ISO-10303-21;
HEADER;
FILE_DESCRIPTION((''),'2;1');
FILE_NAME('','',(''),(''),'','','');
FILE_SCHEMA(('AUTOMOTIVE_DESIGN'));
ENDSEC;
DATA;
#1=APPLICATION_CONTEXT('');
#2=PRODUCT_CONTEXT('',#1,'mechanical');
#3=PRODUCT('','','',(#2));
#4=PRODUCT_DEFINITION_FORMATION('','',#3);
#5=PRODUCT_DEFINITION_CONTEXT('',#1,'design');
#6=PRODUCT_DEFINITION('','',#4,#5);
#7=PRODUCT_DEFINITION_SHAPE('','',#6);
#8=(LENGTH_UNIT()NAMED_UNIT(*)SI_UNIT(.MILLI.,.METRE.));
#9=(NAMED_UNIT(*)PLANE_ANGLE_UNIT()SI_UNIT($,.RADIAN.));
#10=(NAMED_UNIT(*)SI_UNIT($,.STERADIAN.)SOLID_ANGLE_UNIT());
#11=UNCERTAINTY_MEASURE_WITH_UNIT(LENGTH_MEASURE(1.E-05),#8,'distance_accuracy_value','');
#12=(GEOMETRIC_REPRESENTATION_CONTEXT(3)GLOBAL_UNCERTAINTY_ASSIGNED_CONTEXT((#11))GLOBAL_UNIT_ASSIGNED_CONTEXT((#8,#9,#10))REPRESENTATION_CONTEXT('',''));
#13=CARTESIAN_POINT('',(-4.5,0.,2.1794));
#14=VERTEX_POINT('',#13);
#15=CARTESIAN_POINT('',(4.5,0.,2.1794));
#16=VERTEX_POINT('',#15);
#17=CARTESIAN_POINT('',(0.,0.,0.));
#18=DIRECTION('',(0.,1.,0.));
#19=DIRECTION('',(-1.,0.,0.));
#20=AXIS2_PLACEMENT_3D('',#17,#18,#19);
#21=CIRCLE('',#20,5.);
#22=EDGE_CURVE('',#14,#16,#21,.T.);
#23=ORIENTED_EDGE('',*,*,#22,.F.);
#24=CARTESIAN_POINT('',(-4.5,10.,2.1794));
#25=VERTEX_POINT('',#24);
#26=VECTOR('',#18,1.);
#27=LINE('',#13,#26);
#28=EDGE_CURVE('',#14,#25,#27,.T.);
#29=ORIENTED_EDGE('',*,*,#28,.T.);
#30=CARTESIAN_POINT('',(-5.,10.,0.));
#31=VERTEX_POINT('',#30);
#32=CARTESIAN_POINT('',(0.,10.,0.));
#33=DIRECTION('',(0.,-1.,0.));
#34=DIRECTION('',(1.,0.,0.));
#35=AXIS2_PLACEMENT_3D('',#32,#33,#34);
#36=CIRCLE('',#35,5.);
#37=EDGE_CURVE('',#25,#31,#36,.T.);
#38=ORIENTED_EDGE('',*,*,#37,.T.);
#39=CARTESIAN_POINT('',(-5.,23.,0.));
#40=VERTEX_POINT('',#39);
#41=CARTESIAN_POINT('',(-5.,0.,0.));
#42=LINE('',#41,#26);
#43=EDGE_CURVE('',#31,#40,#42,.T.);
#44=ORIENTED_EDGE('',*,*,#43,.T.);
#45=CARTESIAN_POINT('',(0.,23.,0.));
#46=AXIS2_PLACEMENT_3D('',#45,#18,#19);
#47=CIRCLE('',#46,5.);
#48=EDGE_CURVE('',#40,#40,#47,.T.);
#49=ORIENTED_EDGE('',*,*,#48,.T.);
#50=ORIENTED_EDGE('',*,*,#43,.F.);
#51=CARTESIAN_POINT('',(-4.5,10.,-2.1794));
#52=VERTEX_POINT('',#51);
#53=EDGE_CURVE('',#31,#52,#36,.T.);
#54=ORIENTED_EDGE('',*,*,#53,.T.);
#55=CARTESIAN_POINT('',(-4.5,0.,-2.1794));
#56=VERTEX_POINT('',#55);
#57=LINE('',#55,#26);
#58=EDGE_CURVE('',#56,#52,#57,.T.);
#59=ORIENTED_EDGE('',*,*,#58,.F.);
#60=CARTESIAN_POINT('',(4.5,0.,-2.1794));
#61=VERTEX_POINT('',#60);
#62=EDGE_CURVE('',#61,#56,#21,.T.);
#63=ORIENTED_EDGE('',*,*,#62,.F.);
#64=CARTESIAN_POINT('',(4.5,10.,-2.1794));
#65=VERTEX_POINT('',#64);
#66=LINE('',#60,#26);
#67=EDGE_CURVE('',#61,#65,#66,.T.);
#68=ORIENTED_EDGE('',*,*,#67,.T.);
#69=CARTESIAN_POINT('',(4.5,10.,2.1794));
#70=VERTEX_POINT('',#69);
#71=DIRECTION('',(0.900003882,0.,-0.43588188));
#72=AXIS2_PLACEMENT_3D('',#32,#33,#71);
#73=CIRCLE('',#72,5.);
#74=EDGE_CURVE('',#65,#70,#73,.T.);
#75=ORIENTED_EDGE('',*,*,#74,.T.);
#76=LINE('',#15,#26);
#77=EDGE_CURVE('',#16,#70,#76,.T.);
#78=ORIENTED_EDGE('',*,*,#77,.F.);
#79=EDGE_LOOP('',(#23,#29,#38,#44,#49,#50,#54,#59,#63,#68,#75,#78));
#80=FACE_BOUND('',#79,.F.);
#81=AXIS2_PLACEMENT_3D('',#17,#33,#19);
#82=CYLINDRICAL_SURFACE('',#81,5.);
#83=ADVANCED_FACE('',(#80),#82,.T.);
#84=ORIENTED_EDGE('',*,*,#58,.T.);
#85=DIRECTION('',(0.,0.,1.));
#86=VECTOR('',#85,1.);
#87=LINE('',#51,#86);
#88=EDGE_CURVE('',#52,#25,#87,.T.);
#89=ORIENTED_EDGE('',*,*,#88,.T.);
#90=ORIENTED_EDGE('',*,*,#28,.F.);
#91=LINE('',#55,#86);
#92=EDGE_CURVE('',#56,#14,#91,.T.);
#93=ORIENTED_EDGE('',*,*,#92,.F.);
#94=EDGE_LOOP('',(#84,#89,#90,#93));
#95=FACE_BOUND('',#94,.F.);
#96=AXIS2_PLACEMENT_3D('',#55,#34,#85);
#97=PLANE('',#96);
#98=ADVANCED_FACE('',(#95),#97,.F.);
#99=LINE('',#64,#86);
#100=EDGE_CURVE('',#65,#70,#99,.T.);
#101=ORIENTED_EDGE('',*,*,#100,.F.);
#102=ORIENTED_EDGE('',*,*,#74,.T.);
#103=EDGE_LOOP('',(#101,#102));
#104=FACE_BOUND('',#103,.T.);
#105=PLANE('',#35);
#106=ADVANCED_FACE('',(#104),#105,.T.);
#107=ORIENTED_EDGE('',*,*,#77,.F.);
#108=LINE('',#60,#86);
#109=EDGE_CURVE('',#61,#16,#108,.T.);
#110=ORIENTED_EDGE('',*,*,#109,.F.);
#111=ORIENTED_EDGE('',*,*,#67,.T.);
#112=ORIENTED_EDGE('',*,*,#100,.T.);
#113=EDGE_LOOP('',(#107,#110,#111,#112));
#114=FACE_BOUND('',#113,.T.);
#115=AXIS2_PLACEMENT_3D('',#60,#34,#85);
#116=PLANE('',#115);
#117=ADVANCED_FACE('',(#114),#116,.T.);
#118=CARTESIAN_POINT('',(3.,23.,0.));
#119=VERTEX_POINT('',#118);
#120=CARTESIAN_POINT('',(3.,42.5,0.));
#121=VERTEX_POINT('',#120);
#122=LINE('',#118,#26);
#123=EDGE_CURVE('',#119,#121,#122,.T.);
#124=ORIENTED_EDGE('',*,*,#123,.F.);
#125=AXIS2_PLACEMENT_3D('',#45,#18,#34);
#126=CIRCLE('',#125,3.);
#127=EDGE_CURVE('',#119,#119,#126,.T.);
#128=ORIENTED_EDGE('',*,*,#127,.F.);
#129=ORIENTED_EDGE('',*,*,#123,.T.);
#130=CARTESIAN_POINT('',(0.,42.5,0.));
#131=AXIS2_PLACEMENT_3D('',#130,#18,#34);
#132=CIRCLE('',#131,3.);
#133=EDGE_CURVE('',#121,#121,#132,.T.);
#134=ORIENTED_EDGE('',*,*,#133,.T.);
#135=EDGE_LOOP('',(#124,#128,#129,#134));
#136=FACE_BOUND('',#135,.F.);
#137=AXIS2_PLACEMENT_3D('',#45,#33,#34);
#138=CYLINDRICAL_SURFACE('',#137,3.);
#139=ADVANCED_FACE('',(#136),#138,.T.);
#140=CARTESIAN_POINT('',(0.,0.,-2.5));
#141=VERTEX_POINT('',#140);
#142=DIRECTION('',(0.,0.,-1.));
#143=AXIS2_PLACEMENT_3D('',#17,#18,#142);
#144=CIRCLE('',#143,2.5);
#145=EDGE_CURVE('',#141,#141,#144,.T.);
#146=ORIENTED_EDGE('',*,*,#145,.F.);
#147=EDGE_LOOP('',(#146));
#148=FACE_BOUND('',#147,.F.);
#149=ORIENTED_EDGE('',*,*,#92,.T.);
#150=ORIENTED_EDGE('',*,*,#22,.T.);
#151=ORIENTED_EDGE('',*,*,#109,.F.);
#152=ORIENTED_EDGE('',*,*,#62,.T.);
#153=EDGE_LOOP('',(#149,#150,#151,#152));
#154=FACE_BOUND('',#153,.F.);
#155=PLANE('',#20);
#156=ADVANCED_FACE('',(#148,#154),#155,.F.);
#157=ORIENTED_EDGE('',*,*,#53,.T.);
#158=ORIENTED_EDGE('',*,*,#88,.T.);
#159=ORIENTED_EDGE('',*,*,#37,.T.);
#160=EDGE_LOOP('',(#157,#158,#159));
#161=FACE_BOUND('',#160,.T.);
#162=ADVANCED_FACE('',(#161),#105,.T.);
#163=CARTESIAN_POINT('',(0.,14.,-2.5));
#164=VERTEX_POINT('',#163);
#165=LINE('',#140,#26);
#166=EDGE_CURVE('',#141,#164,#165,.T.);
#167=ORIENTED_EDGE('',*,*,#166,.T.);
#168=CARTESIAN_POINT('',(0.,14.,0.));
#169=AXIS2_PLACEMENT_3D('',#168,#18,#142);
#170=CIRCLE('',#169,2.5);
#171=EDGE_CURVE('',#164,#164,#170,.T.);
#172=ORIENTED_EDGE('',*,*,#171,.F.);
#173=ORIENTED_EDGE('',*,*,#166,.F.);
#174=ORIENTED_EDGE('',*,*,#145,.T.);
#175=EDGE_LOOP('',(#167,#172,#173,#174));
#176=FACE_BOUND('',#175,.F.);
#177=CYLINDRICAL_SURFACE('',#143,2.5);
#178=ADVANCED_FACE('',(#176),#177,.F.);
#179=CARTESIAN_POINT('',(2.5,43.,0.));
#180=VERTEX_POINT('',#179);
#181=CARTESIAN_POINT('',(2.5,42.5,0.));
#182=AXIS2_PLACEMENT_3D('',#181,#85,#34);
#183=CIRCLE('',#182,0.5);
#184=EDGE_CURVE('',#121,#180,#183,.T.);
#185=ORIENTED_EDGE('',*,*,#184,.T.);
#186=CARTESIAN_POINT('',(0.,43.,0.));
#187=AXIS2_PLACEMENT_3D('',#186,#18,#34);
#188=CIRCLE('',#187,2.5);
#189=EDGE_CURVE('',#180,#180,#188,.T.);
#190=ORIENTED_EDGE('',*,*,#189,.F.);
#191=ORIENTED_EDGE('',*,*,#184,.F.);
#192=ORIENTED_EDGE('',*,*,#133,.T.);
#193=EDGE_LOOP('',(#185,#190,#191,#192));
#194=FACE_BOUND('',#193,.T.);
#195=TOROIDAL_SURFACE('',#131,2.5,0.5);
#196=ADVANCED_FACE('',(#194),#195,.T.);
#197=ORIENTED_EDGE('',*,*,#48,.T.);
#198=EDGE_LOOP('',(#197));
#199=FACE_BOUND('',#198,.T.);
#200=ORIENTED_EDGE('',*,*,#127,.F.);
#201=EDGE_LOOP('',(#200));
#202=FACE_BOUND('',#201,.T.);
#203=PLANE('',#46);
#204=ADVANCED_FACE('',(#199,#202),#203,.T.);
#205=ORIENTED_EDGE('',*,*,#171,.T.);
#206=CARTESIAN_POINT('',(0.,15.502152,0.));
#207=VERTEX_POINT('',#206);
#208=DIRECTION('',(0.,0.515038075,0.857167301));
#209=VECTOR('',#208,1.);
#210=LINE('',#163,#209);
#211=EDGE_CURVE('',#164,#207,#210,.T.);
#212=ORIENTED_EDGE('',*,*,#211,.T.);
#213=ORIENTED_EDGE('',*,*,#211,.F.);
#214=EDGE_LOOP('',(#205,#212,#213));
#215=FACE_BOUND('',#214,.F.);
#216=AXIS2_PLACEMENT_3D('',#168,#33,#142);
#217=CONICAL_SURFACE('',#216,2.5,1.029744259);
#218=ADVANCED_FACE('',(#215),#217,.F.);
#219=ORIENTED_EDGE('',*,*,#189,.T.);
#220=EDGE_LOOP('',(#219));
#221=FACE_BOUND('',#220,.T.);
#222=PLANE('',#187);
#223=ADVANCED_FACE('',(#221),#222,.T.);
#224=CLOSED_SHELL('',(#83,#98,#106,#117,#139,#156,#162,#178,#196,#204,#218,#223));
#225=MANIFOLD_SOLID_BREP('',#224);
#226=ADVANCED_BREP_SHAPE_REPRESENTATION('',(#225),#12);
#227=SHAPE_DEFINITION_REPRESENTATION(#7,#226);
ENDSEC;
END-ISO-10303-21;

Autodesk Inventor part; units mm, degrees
ref_plane "YZ Plane" through (0, 0, 0) normal (1, 0, 0) x (0, 1, 0)
ref_plane "XZ Plane" through (0, 0, 0) normal (0, 1, 0) x (-1, 0, 0)
ref_plane "XY Plane" through (0, 0, 0) normal (0, 0, 1) x (1, 0, 0)
sketch "Sketch1" plane through (0, 0, 0) normal (0, 1, 0) x (-1, 0, 0)
  circle A0 centre (0, 0) radius 5
  dimension "d0" = 10
extrude "Extrusion1" add sketch "Sketch1" along normal blind 23
sketch "Sketch2" plane through (0, 23, 0) normal (0, 1, 0) x (1, 0, 0)
  circle A0 centre (0, 0) radius 3
  dimension "d3" = 6
extrude "Extrusion2" add sketch "Sketch2" along normal blind 20
thread "Thread1" size "M6x1" class "6g" standard "ANSI Metric M Profile" length 12
fillet "Fillet1" radius 0.5 1 edges at (-3, 43, 0)
sketch "Sketch3" plane through (0, 0, 0) normal (0, -1, 0) x (1, 0, 0)
  line L0 (4.5, 0) -> (-4.5, 0) construction
  circle A0 centre (0, 0) radius 5 projected
  line L1 (4.5, -2.1794) -> (4.5, 2.1794)
  line L2 (-4.5, -2.1794) -> (-4.5, 2.1794)
extrude "Extrusion3" cut sketch "Sketch3" against normal blind 10 contours A0 L1 | L2 A0
sketch "Sketch4" plane through (0, 0, 0) normal (0, -1, 0) x (1, 0, 0)
  line L0 (3.705, 0) -> (-3.8794, 0) construction
  point P0 (0, 0)
hole "Hole1" at (0, 0, 0) direction (0, 1, 0) diameter 5 depth 14 tip angle 118
properties part number "Semi albero F"
